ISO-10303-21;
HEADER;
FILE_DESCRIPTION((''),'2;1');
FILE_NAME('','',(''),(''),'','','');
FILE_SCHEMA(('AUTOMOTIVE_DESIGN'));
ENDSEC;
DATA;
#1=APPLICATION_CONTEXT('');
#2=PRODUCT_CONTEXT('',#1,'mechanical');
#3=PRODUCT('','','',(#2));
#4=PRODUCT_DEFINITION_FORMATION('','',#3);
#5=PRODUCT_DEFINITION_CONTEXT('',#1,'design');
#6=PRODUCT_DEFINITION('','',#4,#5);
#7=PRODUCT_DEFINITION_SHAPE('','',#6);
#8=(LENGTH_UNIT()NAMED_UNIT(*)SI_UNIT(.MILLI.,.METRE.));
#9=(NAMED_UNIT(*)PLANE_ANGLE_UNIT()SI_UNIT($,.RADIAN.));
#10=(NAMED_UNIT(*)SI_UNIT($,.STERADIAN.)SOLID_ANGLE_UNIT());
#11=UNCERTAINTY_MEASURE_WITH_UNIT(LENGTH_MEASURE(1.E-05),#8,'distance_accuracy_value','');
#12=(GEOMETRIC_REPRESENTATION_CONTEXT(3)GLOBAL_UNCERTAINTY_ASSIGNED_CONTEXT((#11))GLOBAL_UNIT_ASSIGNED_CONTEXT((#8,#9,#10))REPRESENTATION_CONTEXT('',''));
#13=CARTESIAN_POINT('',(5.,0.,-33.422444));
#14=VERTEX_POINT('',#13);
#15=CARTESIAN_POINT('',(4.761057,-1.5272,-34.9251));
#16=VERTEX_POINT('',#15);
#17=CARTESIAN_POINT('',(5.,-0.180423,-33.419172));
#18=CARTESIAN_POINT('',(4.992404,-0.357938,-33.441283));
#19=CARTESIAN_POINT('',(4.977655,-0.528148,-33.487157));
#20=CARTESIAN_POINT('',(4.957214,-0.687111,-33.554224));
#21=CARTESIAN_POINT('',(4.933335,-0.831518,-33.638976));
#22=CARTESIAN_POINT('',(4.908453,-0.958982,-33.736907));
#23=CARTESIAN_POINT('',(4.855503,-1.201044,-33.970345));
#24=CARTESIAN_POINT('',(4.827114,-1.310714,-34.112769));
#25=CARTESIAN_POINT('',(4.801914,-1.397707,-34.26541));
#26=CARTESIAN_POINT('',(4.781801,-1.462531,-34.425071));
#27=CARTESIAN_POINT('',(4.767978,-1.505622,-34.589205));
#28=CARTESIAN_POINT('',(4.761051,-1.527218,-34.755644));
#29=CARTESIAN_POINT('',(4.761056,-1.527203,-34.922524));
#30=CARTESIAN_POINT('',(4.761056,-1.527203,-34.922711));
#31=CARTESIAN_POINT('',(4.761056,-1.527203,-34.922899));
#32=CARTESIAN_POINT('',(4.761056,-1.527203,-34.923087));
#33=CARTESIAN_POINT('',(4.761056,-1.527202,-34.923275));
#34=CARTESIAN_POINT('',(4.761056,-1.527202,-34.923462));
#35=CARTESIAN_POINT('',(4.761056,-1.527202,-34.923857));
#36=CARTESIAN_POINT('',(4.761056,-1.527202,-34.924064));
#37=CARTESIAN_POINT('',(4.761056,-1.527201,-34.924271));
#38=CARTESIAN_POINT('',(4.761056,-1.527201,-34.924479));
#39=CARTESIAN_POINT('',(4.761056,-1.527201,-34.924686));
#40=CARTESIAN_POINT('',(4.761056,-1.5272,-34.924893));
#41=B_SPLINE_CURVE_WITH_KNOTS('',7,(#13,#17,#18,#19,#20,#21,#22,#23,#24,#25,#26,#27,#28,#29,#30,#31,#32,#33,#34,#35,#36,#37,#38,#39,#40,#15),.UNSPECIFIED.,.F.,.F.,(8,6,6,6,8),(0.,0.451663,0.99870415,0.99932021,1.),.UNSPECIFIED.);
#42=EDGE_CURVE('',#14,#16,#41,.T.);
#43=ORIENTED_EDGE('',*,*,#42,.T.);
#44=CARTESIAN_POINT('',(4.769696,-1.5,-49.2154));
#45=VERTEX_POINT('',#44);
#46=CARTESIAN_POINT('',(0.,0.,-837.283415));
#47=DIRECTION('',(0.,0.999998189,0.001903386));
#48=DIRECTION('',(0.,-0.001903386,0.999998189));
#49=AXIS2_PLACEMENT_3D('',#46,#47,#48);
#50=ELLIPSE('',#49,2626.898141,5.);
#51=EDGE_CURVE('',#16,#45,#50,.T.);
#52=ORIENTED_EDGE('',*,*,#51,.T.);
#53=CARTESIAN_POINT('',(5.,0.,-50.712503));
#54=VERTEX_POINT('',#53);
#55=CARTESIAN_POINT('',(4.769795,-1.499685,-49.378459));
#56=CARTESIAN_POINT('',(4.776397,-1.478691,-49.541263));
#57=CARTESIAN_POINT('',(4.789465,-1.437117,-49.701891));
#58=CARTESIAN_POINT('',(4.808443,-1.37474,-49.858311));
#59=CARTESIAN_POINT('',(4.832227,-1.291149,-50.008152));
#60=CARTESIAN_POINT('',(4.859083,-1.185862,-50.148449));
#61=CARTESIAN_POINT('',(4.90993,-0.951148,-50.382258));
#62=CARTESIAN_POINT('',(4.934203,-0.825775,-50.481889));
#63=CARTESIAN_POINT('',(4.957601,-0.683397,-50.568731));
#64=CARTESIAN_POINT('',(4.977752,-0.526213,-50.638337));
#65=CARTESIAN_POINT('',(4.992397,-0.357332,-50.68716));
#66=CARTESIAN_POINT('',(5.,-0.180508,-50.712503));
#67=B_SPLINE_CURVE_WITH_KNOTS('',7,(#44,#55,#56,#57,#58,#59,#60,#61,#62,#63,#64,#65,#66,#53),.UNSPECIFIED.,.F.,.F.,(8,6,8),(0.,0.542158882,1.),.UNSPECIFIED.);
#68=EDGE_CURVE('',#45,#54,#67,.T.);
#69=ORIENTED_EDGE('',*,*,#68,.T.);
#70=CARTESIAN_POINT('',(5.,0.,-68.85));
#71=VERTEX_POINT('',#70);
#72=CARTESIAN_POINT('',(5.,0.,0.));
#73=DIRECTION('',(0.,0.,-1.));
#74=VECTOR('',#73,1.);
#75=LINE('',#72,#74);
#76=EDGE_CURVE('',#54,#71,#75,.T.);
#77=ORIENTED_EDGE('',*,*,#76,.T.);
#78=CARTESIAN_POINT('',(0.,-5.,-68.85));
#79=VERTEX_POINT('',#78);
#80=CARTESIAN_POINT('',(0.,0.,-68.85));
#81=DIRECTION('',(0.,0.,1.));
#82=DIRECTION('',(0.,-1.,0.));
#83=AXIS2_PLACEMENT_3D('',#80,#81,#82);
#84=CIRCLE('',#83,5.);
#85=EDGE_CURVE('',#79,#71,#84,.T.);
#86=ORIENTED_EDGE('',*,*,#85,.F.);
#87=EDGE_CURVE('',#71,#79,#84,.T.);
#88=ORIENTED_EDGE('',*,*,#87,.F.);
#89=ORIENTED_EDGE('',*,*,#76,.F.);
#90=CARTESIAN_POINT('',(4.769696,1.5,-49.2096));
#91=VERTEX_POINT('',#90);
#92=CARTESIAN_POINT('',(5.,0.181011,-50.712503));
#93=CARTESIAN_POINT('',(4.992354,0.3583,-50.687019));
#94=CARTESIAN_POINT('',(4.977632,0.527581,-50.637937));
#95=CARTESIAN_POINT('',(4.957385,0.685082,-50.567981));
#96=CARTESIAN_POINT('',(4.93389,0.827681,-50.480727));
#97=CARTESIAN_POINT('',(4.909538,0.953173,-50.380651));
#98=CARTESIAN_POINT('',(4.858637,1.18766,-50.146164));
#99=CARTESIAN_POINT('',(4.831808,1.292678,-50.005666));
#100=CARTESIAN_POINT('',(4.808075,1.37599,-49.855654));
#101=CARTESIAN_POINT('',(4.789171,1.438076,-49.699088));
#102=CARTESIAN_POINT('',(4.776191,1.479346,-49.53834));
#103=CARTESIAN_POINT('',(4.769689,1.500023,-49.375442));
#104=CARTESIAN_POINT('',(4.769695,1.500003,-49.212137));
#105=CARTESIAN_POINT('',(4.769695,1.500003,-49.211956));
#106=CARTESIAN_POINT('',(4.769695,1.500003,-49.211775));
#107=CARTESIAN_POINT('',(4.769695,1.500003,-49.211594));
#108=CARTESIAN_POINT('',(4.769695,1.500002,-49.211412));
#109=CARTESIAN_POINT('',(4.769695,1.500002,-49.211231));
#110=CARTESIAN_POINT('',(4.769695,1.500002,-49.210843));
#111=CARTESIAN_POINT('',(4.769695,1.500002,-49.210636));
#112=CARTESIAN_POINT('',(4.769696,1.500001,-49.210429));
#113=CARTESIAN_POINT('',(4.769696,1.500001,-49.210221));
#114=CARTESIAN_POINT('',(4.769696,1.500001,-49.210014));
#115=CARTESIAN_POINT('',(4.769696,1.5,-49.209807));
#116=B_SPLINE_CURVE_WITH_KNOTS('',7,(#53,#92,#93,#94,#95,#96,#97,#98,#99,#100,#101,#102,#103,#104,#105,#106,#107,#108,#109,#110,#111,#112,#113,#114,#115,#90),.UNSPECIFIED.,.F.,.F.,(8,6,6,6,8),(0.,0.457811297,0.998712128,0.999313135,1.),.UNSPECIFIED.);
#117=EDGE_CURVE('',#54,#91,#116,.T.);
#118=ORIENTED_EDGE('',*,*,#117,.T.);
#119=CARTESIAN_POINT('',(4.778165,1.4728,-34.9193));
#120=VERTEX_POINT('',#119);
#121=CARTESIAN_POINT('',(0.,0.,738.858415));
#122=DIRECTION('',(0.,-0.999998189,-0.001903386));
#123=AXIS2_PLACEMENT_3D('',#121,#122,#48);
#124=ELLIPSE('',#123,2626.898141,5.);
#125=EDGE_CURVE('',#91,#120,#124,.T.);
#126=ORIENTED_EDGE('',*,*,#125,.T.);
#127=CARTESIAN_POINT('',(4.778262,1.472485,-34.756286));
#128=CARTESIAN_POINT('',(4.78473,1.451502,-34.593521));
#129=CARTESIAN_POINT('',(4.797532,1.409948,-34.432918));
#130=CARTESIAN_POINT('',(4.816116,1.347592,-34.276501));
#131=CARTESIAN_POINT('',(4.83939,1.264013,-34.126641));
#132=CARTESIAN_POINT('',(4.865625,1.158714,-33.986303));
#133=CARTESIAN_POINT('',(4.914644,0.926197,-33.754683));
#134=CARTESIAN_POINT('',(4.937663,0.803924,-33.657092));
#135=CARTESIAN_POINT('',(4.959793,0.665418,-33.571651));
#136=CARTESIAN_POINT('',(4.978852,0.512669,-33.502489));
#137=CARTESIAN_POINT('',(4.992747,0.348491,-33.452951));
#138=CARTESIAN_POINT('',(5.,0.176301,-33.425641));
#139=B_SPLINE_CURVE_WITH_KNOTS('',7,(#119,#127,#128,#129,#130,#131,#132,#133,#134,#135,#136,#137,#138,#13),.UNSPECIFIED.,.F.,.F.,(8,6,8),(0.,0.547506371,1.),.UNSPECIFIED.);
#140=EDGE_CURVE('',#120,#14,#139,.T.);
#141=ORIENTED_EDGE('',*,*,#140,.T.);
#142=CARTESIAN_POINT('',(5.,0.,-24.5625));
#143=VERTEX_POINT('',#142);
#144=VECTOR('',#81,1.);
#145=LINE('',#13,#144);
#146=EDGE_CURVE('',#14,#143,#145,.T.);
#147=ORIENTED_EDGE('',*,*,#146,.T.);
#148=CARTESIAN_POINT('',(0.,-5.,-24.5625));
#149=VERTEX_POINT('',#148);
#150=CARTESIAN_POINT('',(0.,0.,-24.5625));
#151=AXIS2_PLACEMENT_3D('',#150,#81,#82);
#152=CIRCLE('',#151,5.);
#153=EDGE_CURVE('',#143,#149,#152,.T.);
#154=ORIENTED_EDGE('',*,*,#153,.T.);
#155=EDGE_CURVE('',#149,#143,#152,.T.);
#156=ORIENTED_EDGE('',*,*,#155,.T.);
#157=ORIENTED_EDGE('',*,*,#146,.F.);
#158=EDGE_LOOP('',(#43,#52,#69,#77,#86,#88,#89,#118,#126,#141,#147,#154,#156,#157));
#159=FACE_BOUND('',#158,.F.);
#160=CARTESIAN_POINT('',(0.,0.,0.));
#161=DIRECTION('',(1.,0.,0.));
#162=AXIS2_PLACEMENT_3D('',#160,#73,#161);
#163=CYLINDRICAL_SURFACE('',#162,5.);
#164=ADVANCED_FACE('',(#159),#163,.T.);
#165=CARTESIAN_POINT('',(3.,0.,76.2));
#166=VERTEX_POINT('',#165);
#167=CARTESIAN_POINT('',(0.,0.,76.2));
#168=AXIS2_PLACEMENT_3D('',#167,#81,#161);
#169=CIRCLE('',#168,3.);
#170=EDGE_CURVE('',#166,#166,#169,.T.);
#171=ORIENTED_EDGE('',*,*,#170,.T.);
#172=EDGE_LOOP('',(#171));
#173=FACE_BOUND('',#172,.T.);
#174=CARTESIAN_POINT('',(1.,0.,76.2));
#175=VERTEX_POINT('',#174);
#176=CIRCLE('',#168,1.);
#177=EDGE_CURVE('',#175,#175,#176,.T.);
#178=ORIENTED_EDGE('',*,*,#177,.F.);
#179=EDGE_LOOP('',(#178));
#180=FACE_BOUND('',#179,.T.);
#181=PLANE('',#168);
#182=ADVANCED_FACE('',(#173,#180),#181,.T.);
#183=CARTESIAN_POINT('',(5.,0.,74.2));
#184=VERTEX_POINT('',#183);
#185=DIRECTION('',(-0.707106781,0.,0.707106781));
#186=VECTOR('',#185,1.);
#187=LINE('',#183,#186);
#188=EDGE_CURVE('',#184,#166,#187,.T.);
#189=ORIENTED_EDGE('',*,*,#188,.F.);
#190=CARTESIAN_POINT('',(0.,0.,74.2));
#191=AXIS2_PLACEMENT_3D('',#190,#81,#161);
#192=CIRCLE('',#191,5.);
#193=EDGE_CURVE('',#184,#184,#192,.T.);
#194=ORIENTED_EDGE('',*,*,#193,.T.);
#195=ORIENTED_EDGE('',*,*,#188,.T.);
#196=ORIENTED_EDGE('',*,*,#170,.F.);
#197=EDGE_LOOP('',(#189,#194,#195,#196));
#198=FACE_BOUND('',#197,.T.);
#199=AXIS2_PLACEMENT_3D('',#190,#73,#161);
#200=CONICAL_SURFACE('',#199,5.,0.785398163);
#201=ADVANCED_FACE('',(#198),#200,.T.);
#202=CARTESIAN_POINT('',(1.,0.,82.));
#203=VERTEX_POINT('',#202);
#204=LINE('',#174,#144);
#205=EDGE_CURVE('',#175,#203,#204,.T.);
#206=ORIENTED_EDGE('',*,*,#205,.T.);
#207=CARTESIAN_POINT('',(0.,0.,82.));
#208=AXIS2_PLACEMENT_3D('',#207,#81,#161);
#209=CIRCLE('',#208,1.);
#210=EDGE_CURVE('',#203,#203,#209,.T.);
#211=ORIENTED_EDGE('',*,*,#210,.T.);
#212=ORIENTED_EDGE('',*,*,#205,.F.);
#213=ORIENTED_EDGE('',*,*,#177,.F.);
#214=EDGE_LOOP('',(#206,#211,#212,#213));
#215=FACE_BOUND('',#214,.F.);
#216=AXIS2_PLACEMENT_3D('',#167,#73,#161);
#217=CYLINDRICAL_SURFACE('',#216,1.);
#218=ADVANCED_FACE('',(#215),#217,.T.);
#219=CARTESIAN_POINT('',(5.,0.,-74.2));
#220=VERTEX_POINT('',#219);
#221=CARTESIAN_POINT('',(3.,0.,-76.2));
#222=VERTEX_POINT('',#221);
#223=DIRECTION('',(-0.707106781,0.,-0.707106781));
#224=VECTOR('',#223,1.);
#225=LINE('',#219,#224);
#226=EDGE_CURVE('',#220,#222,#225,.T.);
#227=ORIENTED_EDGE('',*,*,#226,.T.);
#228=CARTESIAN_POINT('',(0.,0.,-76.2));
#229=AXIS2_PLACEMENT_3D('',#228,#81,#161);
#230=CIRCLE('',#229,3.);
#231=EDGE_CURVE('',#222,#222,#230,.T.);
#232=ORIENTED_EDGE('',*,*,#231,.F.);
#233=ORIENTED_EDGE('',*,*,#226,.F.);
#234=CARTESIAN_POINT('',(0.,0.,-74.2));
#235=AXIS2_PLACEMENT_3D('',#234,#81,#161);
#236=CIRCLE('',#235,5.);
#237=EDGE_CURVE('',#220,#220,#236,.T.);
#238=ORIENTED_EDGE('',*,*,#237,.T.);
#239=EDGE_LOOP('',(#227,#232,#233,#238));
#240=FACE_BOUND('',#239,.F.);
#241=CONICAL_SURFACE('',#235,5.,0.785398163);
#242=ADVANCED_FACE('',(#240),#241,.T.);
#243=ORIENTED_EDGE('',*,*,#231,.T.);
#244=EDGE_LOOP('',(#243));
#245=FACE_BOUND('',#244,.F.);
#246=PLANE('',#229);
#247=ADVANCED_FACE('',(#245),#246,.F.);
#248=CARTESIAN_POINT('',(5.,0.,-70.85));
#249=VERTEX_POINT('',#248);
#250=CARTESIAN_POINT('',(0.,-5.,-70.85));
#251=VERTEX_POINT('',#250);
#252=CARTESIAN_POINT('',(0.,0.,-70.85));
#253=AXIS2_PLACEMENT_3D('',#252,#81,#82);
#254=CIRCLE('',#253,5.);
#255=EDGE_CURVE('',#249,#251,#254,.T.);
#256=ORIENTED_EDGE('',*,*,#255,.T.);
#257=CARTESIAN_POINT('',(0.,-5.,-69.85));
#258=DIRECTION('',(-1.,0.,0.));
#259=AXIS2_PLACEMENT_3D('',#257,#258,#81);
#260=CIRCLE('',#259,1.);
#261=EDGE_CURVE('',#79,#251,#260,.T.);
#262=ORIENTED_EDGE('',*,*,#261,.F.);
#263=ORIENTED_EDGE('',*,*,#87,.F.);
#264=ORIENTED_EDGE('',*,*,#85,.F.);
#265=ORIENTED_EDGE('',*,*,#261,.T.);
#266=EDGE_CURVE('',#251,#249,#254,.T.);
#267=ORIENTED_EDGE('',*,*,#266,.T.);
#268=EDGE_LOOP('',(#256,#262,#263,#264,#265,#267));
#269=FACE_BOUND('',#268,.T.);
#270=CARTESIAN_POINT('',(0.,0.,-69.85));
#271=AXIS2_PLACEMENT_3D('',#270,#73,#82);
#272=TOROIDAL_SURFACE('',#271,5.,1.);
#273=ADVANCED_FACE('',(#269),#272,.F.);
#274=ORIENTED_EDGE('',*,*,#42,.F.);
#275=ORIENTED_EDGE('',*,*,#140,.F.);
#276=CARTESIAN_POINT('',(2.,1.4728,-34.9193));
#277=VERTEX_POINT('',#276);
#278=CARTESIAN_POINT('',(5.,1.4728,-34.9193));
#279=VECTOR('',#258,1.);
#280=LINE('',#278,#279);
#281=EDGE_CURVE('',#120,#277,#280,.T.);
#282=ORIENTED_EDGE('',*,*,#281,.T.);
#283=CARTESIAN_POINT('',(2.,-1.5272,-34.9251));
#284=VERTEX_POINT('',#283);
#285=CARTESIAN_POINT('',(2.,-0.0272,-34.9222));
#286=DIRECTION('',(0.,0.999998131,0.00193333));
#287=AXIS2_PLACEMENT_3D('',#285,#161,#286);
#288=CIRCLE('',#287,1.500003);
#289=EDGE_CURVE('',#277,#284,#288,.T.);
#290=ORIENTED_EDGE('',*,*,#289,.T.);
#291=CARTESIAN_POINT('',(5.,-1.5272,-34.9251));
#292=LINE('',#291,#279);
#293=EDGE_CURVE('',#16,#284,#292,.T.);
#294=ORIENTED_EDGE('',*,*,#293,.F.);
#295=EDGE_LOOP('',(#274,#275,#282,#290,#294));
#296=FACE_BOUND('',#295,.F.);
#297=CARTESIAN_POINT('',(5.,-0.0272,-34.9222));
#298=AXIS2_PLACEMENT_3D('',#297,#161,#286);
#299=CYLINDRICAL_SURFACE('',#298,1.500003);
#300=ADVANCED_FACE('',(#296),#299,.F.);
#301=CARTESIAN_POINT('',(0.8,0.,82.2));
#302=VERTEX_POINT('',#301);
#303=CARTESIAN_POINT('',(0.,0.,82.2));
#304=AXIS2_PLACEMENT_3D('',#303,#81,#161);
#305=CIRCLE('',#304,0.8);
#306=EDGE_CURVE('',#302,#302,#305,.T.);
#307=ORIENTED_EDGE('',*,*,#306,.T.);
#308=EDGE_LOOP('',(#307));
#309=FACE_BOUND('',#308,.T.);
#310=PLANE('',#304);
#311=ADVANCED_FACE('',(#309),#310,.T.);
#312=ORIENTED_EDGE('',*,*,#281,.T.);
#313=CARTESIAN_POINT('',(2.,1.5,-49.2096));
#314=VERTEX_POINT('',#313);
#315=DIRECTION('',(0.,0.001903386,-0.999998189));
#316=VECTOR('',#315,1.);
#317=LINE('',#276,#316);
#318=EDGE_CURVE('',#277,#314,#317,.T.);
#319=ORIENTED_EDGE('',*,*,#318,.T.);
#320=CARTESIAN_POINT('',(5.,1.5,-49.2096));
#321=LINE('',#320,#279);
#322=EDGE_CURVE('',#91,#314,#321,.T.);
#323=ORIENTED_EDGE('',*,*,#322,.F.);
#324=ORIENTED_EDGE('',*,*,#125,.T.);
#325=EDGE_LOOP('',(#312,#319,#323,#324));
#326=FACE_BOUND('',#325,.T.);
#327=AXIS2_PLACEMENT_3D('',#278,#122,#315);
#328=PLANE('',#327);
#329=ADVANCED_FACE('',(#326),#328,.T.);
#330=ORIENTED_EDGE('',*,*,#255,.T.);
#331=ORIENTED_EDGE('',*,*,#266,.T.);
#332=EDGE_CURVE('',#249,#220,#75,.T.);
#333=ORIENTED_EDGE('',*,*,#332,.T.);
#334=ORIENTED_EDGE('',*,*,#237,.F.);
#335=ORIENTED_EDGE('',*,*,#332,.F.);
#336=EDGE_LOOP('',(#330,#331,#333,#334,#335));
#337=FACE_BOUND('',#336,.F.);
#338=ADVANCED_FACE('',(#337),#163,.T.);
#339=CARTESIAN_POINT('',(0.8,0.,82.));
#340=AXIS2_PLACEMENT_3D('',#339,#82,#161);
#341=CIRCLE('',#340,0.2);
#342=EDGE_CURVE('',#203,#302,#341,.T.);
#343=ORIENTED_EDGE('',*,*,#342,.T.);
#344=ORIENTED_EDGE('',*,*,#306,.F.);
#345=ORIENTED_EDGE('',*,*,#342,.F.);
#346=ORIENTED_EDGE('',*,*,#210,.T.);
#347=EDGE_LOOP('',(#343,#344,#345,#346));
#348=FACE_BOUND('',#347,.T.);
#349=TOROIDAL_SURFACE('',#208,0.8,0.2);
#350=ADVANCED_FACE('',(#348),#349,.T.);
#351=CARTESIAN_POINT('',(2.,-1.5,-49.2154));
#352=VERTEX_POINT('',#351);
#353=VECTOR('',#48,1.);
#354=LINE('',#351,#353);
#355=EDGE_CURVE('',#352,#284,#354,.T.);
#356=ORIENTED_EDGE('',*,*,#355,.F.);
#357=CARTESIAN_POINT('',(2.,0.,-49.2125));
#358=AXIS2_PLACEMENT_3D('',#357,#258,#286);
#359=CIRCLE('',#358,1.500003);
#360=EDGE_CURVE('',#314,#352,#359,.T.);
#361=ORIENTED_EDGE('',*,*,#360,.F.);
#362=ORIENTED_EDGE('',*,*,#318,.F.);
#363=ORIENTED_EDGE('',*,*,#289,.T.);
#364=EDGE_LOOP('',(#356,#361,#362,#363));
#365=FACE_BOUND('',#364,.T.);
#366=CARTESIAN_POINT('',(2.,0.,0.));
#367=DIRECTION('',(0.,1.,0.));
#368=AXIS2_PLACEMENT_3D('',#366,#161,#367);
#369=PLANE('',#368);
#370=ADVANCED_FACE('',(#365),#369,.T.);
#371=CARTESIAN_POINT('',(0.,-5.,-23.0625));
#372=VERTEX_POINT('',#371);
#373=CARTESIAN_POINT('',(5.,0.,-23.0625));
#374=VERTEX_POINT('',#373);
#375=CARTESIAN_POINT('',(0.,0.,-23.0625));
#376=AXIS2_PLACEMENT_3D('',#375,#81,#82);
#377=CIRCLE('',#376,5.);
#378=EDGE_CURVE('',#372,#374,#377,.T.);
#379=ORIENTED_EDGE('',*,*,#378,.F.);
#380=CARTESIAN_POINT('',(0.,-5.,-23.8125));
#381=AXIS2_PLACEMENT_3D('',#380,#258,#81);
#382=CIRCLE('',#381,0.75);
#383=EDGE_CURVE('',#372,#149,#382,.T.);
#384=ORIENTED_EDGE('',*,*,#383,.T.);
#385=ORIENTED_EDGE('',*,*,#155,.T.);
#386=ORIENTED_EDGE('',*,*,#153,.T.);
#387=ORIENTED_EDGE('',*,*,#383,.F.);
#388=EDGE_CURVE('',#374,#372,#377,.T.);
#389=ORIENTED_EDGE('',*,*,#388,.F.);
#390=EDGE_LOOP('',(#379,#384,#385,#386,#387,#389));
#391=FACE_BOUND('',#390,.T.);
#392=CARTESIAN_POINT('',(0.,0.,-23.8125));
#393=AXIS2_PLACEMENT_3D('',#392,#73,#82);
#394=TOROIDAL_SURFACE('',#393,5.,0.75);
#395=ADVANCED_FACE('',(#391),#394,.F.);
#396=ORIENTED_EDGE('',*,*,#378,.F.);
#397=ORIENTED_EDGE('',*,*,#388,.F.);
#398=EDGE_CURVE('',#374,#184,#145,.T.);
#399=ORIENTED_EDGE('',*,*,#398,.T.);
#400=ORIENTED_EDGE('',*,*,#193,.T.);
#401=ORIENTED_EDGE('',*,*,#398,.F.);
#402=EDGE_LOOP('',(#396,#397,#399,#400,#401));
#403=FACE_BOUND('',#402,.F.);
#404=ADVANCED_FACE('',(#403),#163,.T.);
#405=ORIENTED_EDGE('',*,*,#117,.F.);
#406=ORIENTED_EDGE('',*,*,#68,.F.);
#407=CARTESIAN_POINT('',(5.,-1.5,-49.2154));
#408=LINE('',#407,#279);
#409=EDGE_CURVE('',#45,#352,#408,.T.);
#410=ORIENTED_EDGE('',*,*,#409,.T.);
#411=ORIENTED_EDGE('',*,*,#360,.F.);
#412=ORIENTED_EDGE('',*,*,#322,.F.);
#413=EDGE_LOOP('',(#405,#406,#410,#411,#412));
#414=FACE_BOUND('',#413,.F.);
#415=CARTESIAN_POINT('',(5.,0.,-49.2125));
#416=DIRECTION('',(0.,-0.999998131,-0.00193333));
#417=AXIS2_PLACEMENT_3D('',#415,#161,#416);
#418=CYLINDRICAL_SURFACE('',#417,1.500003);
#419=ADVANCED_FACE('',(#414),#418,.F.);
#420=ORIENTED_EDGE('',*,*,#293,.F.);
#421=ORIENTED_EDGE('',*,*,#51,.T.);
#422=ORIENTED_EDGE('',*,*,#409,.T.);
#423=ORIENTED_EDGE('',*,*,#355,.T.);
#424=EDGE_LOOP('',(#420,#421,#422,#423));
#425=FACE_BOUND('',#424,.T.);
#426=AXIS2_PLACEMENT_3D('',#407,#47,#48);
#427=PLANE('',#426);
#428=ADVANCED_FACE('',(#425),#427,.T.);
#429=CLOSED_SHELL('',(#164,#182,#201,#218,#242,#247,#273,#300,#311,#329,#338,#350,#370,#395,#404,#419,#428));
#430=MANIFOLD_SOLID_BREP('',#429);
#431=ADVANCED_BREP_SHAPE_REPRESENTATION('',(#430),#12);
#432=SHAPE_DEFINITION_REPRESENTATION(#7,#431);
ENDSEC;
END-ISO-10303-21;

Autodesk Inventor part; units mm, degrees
ref_plane "XZ Plane" through (0, 0, 0) normal (0, 1, 0) x (-1, 0, 0)
sketch "Sketch1" plane through (0, 0, 0) normal (0, 0, 1) x (1, 0, 0)
  circle A0 centre (0, 0) radius 5
  dimension "d0" = 10
extrude "Extrusion1" add sketch "Sketch1" along normal mid plane 152.4
ref_plane "Work Plane4" through (0, 0, 0) normal (0, 0, 1) x (1, 0, 0)
ref_plane "Work Plane5" through (0, 0, -2) normal (0, 0, 1) x (1, 0, 0)
ref_plane "Work Plane6" through (5, 0, 0) normal (1, 0, 0) x (0, 1, 0)
sketch "Sketch6" plane through (5, 0, 0) normal (1, 0, 0) x (0, 1, 0)
  point P0 (0, 0)
sketch "Sketch7" plane through (5, 0, 0) normal (1, 0, 0) x (0, 1, 0)
  line L0 (0, 106.68) -> (0, -106.68) projected
  line L1 (-1.5, -49.2154) -> (-1.5272, -34.9251)
  line L2 (1.4728, -34.9193) -> (1.5, -49.2096)
  arc A0 (-1.5, -49.2154) -> (1.5, -49.2096) centre (0, -49.2125) ccw
  arc A1 (1.4728, -34.9193) -> (-1.5272, -34.9251) centre (-0.0272, -34.9222) ccw
  line L3 (-1.5, -49.2154) -> (1.5, -49.2096) construction
  line L4 (-1.5272, -34.9251) -> (1.4728, -34.9193) construction
  point P0 (0, 0)
  dimension "d28" = 3
extrude "Extrusion2" cut sketch "Sketch7" against normal blind 3
chamfer "Chamfer2" distance 2 angle 45 1 edges at (-5, 0, -76.2)
chamfer "Chamfer3" distance 2 angle 45 1 edges at (-5, 0, 76.2)
sketch "Sketch8" plane through (0, 0, 76.2) normal (0, 0, 1) x (1, 0, 0)
  circle A0 centre (0, 0) radius 1
  dimension "d48" = 2
extrude "Extrusion3" add sketch "Sketch8" along normal blind 6
fillet "Fillet1" radius 0.2 1 edges at (-1, 0, 82.2)
sketch "Sketch9" plane through (0, 0, 0) normal (1, 0, 0) x (0, 1, 0)
  line L0 (-5, -74.2) -> (5, -74.2) projected
  line L1 (-1.5, -49.2154) -> (-1.5272, -34.9251) projected
  line L2 (1.4728, -34.9193) -> (1.5, -49.2096) projected
  line L3 (5, 74.2) -> (-5, 74.2) projected
  line L4 (-5, -74.2) -> (-5, 74.2) projected
  circle A0 centre (-5, -69.85) radius 1
  circle A1 centre (-5, -23.8125) radius 0.75
  line L5 (0, -103.88) -> (0, 103.88) projected
  point P0 (0, 0)
  point P1 (0, -50.7125)
  point P2 (0, -33.4224)
  dimension "d53" = 2
  dimension "d54" = 1.5
revolve "Revolution4" cut sketch "Sketch9" angle 360 about axis through (0, 0, -10) along (0, 0, 1) contours A0 L4 | L4 A0 | A1 L4 | L4 A1
properties part number "Motor shaft" material "Steel, High Strength Low Alloy"
